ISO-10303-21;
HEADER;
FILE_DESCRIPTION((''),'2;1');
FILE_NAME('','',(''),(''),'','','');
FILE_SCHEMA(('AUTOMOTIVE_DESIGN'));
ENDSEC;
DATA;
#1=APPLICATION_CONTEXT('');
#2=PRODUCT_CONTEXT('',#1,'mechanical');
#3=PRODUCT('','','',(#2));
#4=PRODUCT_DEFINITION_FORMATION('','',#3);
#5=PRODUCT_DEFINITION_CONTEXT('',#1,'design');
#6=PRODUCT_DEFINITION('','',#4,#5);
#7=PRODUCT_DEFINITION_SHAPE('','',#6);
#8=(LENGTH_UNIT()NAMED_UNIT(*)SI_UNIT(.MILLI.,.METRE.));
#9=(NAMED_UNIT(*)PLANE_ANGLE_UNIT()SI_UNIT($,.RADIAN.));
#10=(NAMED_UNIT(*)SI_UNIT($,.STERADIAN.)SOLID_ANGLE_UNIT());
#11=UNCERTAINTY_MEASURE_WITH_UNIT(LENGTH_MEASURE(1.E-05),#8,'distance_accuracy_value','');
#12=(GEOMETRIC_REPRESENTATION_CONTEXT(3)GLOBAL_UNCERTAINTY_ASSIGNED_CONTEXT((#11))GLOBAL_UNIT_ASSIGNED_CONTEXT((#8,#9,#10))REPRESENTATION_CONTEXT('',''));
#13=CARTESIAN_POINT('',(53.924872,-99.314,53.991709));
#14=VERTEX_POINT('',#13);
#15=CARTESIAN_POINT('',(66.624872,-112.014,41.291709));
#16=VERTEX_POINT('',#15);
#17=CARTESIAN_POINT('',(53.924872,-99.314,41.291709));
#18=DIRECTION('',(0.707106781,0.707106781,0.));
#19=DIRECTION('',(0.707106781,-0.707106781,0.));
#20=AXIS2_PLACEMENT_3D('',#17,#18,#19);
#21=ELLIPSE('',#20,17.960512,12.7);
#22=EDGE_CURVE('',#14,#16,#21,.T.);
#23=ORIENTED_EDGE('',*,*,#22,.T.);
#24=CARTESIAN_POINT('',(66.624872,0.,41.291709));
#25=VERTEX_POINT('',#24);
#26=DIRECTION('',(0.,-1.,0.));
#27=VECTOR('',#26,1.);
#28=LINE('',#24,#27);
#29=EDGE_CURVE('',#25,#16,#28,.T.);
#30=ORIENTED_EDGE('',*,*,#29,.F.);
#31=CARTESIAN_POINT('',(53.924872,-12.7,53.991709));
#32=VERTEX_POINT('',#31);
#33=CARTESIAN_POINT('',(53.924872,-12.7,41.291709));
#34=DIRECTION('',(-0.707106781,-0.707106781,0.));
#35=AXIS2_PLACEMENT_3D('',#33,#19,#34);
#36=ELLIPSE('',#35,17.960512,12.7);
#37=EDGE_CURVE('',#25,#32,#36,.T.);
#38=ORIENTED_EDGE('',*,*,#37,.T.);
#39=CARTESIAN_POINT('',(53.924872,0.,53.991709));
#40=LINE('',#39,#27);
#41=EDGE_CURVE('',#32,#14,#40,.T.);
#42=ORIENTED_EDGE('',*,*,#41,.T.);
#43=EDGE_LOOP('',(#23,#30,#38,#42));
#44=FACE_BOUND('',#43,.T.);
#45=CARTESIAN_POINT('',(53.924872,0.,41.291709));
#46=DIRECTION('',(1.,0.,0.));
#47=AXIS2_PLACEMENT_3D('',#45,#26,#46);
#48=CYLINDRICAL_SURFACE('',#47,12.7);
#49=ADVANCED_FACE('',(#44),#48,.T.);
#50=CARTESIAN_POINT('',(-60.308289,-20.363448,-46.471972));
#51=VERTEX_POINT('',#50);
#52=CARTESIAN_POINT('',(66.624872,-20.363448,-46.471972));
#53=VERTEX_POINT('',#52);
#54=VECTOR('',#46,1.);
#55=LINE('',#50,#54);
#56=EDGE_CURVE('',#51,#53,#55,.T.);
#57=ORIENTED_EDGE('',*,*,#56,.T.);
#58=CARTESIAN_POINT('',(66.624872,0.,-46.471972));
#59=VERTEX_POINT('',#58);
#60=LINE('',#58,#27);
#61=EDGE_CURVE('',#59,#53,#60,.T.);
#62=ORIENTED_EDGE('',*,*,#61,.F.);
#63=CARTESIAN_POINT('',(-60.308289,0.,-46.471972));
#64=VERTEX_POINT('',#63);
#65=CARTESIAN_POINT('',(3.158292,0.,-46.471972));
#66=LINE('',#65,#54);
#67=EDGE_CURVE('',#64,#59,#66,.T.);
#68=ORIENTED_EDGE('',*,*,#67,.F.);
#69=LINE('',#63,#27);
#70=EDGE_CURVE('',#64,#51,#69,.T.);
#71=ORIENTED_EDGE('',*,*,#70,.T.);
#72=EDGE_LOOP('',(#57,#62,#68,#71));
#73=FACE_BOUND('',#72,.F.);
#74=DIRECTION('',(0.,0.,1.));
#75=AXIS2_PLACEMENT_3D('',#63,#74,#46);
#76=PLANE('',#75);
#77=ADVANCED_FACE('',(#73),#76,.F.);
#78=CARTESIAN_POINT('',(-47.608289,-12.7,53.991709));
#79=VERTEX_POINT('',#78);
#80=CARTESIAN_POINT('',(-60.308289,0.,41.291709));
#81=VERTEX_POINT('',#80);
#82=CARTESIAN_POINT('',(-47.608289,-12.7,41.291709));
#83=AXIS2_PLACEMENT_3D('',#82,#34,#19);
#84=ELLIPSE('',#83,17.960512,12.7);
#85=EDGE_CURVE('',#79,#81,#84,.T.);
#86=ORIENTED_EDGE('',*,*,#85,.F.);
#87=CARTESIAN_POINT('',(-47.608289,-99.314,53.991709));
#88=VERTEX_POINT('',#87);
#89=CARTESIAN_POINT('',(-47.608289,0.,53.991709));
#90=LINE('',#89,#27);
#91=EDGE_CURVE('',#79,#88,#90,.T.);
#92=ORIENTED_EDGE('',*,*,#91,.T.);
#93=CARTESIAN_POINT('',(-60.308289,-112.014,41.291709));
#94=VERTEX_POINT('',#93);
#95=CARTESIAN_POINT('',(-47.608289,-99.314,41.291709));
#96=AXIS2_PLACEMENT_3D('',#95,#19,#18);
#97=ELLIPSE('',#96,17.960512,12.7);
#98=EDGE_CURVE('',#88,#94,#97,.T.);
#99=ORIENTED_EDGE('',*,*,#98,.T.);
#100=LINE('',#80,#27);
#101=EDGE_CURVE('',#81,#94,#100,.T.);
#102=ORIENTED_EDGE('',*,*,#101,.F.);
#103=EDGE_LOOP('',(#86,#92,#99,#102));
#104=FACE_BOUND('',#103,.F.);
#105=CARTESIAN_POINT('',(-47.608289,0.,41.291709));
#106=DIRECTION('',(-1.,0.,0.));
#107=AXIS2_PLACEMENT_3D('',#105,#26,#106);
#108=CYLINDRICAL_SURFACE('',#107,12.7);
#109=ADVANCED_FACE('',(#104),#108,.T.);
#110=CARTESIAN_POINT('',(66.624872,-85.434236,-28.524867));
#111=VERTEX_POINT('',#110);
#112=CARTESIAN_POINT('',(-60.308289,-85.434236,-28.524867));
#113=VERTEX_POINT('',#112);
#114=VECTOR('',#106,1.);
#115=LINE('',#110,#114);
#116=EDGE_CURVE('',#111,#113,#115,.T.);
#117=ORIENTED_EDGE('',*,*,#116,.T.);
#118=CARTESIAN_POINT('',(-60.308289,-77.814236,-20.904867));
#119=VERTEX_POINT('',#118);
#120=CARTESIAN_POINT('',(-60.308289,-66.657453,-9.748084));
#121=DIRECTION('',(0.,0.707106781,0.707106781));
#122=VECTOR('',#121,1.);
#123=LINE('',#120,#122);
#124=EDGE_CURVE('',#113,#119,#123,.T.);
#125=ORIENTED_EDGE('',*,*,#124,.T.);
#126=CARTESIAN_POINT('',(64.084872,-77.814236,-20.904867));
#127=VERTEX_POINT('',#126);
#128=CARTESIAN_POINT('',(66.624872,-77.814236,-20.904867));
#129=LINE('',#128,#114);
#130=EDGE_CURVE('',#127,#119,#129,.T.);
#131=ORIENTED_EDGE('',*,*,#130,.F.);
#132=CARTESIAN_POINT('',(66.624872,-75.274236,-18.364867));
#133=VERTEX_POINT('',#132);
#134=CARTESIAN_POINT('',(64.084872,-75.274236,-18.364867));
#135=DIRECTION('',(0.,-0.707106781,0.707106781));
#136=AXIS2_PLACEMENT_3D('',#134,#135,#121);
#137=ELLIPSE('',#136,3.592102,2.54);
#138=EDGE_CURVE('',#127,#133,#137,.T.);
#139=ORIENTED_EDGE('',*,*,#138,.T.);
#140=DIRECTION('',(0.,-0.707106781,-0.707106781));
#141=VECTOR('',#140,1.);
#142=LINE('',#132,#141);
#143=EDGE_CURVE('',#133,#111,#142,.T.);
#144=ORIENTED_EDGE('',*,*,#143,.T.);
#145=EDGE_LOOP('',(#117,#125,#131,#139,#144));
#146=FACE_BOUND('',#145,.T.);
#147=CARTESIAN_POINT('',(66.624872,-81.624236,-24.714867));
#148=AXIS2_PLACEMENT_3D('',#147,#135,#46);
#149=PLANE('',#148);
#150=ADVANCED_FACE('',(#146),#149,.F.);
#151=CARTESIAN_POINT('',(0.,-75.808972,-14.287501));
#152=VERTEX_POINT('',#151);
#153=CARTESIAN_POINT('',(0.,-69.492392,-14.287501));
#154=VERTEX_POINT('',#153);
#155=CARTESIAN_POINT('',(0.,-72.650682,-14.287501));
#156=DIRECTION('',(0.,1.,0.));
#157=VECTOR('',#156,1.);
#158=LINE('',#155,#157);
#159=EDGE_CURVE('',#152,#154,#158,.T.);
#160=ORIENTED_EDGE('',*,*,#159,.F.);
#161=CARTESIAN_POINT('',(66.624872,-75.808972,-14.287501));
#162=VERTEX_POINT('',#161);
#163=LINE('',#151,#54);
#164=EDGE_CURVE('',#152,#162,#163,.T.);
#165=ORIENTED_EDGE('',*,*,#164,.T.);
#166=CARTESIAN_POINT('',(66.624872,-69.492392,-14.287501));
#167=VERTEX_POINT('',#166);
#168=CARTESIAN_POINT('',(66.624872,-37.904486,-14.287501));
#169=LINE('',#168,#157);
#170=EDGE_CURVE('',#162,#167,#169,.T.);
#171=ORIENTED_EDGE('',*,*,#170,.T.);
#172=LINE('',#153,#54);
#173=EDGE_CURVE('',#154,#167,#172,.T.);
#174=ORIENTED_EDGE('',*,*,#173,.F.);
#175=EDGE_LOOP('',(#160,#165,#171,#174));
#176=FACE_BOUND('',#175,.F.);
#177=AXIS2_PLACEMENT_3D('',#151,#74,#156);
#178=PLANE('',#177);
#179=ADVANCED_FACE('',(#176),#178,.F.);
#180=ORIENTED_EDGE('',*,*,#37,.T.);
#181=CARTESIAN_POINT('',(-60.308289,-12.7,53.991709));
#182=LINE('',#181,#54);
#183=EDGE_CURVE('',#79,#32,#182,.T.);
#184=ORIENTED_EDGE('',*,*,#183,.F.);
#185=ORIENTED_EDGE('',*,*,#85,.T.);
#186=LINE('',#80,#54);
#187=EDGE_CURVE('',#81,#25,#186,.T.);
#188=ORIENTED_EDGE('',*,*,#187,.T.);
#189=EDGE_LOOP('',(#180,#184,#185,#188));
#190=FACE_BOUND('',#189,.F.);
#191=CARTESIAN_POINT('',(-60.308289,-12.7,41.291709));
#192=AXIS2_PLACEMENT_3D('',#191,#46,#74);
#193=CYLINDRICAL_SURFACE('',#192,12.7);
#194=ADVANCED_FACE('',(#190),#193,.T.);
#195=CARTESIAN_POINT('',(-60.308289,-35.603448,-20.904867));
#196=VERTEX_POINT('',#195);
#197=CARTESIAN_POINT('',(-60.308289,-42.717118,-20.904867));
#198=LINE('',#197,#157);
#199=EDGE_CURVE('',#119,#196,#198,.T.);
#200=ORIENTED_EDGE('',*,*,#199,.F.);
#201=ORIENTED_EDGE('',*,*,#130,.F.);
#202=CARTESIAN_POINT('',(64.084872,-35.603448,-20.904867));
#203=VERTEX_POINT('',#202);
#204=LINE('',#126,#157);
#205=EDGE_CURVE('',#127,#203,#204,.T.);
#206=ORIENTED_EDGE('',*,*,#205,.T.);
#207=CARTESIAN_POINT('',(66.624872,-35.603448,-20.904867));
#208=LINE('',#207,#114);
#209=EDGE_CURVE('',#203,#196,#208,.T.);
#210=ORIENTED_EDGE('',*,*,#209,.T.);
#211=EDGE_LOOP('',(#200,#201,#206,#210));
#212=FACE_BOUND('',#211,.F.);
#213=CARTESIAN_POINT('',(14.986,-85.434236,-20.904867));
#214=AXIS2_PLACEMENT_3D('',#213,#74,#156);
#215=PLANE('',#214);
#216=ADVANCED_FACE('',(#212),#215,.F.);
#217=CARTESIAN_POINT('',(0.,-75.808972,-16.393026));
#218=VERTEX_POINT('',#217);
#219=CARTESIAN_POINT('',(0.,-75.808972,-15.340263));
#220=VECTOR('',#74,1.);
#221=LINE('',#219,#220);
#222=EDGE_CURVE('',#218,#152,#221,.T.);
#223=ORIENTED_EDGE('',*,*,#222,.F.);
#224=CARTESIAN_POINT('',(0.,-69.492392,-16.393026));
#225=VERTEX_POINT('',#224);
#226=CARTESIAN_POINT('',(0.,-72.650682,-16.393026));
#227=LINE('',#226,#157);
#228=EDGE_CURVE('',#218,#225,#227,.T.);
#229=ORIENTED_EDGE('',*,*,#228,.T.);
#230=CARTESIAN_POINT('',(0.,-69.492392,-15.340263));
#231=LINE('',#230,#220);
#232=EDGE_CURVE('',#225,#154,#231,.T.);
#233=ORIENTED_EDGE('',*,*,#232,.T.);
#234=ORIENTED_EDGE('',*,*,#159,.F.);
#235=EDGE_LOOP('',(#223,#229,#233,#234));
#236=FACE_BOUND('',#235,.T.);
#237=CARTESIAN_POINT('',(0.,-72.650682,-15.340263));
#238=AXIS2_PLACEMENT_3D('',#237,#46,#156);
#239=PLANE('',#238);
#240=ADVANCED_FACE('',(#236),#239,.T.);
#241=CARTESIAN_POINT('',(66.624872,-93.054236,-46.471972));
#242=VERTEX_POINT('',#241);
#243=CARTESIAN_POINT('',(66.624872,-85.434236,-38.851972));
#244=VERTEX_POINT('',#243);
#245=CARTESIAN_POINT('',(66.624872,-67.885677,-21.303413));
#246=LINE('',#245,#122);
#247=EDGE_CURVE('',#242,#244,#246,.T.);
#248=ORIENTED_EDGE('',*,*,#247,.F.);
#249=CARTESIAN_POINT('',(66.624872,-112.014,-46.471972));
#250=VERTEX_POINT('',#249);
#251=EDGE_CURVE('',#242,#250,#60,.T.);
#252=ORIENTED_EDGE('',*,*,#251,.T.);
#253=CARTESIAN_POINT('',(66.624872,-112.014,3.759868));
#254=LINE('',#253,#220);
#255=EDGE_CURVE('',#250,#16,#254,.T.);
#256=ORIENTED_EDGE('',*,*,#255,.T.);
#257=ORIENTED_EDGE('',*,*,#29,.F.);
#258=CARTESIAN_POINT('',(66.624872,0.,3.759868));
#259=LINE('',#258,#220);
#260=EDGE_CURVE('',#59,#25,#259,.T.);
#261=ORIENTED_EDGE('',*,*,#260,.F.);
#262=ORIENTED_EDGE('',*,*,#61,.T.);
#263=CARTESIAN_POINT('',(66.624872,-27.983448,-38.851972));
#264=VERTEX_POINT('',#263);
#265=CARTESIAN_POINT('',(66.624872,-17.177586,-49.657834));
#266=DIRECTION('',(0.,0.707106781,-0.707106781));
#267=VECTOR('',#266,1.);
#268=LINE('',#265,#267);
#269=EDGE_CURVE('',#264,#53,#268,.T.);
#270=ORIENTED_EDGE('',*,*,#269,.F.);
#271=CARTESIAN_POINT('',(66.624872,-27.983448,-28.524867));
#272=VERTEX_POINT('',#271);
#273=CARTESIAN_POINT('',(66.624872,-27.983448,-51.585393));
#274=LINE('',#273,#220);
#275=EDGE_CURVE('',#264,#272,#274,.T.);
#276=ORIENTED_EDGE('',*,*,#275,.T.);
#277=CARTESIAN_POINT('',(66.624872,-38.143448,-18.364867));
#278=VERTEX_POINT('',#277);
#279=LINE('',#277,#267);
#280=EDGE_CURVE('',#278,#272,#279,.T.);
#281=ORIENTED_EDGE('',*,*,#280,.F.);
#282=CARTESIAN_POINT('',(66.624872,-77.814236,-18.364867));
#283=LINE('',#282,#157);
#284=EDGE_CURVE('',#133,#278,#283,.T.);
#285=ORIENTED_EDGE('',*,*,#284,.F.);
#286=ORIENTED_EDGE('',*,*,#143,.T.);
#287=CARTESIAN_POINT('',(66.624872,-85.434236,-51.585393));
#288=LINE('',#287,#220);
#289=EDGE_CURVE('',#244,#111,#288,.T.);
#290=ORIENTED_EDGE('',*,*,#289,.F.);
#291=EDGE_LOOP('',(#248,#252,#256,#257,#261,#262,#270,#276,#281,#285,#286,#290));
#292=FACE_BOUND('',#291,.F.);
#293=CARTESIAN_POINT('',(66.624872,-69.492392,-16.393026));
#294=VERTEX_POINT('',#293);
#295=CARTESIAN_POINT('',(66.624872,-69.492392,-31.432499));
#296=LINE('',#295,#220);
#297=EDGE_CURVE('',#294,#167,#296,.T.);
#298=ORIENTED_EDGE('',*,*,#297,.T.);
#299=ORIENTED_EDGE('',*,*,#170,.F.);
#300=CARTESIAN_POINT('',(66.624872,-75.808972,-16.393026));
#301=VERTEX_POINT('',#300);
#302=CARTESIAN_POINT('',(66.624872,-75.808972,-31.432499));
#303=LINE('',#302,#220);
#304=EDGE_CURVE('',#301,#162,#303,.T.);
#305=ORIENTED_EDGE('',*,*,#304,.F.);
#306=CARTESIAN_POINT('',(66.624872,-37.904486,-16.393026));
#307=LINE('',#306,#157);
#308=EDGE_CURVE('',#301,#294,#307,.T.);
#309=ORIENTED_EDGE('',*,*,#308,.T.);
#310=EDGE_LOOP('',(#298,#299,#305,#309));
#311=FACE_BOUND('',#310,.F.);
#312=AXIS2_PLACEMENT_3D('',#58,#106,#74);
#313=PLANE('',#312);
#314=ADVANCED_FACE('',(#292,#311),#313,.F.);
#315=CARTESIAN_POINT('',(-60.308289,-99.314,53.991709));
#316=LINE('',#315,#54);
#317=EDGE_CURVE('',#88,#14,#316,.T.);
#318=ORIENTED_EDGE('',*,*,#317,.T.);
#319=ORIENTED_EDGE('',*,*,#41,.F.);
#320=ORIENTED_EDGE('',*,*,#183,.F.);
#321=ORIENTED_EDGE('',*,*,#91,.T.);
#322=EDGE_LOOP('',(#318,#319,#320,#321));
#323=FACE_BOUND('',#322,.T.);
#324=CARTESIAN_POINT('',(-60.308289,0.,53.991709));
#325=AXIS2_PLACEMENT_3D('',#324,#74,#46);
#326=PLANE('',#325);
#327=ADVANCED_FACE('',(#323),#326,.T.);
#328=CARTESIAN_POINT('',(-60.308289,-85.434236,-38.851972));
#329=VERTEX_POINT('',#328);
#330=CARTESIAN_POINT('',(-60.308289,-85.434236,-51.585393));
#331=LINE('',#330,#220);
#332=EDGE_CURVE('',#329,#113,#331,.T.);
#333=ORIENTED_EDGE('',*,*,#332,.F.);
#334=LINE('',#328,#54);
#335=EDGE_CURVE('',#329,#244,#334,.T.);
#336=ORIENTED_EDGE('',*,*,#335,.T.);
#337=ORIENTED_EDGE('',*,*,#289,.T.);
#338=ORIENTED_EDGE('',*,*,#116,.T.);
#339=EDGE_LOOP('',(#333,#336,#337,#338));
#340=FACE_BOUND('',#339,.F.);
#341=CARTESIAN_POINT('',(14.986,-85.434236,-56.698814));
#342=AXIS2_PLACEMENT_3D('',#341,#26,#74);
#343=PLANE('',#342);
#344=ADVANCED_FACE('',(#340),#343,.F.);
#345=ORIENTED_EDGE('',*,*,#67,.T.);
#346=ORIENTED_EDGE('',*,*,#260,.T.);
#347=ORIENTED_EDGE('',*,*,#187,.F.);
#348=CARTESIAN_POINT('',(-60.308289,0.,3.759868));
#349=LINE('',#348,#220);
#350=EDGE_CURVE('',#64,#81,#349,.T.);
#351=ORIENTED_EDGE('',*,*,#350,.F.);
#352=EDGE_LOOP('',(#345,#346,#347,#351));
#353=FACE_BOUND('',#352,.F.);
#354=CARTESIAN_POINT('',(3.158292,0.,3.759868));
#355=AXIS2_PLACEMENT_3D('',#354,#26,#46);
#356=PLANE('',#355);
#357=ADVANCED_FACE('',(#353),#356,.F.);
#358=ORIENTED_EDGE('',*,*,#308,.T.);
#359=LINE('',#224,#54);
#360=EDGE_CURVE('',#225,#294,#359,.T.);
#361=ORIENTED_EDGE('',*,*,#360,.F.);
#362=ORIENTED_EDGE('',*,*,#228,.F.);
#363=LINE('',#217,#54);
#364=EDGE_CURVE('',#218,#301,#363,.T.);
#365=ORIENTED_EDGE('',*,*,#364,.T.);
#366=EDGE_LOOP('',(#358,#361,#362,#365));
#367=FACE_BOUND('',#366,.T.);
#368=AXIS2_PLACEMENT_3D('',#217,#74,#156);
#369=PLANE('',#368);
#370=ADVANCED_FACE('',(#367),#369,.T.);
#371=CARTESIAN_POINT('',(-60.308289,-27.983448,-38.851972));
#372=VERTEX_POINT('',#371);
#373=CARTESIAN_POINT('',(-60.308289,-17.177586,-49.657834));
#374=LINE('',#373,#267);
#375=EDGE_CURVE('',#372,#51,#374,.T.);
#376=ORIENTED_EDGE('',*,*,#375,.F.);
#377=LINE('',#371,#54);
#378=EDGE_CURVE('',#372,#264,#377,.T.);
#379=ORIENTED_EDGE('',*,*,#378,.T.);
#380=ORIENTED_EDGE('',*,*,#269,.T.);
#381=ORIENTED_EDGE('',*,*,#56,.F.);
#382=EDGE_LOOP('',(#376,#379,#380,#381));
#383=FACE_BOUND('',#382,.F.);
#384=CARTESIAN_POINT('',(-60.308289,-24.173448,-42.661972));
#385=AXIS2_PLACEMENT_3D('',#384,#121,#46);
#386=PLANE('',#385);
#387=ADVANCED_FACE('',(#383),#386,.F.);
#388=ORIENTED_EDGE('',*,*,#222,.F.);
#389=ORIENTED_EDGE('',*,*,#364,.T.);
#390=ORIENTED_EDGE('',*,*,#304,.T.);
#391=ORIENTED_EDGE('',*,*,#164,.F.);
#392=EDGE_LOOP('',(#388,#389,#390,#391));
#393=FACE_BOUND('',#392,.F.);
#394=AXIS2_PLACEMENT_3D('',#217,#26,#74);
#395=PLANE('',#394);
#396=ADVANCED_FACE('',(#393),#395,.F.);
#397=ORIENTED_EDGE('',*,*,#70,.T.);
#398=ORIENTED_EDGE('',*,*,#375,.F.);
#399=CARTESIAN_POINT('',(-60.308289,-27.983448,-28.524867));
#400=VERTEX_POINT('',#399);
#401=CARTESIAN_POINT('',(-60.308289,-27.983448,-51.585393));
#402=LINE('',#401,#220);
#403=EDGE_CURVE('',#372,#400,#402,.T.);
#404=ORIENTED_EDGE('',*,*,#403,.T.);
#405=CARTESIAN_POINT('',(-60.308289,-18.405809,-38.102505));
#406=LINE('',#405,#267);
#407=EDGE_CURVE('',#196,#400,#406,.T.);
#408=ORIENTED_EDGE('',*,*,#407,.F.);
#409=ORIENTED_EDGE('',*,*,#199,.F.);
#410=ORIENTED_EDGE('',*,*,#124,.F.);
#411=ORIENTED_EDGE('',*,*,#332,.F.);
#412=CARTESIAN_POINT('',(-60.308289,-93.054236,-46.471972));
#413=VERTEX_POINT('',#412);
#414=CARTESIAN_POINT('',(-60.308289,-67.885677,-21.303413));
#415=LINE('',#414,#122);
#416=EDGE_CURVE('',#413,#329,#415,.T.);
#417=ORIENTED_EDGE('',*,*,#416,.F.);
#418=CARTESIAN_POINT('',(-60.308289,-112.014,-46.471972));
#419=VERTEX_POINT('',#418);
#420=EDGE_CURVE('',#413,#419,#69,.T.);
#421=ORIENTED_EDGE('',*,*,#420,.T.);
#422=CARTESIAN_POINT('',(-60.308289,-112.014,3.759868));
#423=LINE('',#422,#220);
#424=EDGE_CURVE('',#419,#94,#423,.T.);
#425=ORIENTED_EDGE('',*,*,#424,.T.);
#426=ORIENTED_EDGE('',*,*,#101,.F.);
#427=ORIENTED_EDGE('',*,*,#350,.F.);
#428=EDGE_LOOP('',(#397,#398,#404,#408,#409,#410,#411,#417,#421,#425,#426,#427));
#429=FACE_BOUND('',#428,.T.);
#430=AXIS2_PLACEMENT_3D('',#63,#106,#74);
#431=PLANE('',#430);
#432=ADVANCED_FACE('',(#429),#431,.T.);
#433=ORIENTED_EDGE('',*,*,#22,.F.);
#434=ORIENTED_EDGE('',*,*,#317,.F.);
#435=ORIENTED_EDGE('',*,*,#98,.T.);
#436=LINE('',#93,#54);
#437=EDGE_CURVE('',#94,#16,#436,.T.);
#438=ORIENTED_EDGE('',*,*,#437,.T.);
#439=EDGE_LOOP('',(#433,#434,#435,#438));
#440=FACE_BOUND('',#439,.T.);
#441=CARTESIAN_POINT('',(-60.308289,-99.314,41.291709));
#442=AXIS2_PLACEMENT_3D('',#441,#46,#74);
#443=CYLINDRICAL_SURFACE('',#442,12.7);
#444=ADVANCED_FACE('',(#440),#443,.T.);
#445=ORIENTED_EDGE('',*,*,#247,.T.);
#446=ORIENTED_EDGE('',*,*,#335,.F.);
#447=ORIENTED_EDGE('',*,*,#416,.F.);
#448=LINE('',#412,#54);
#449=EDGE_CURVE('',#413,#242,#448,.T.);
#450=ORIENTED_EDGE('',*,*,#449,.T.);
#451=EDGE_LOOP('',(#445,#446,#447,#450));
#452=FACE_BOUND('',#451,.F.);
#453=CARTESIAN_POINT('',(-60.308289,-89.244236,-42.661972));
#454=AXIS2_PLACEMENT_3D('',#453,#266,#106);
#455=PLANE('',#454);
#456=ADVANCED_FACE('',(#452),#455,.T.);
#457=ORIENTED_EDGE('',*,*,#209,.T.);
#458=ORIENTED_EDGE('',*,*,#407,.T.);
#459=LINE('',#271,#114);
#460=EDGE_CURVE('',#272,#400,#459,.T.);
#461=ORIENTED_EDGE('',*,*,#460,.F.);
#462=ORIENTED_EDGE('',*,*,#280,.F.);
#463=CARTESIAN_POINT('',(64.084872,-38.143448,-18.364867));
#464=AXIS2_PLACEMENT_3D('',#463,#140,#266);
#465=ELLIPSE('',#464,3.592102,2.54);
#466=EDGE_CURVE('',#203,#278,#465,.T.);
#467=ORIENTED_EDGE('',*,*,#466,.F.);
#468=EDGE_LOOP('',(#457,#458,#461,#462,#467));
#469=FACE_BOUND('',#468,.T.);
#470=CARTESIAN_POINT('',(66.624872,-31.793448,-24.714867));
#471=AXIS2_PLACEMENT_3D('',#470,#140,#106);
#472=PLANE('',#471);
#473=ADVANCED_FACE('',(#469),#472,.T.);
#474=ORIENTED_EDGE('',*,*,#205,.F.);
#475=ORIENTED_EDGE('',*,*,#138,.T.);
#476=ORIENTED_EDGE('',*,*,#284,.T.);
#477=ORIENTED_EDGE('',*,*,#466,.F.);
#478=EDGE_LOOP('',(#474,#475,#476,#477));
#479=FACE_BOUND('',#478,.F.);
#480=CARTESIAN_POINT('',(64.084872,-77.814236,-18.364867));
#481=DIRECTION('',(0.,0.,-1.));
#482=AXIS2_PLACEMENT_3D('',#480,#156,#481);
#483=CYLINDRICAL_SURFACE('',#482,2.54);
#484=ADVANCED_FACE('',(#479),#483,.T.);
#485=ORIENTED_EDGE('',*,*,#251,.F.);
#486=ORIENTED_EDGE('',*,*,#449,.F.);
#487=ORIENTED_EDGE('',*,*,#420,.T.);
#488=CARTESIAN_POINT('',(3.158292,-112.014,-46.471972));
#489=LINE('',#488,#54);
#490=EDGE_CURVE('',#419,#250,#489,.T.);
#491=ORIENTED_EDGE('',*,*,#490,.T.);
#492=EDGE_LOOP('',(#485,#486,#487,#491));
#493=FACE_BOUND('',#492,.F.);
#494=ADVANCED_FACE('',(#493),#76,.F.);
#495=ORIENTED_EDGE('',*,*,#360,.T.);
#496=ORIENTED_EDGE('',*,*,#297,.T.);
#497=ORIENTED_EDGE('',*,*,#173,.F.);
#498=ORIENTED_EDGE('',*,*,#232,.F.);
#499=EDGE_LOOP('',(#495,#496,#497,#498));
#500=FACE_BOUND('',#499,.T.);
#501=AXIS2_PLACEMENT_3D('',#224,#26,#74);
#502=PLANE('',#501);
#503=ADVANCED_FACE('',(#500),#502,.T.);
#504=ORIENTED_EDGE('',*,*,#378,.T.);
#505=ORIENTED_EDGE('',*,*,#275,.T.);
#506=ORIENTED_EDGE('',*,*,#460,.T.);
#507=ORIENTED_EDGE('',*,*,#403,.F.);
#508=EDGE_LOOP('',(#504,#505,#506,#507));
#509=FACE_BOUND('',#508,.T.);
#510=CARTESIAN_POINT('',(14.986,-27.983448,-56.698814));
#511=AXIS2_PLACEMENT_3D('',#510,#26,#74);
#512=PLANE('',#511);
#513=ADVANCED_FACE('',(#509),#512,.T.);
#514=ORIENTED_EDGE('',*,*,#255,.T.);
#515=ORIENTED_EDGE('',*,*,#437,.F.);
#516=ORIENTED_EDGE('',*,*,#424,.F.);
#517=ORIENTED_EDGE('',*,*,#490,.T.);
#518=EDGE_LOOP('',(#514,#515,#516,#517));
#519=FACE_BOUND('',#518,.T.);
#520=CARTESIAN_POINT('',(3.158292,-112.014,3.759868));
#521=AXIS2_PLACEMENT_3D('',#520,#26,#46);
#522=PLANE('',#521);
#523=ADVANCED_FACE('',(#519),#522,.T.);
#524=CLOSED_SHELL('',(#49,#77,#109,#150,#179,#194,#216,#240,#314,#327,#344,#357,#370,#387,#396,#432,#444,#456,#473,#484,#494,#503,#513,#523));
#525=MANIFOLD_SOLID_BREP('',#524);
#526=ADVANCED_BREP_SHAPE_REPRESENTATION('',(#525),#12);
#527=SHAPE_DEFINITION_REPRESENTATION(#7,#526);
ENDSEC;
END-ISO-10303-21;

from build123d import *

# Parameters (mm, degrees)
F0_W      = 126.9331611693
F0_H      = 100.463680923
F1_DEPTH  = 112.014
F2_R      = 12.7
F3_W      = 57.4507880956
F3_H      = 35.7939470559
F4_DEPTH  = 166.37
F5_DEPTH  = 99.822
F8_SIZE   = 7.62
F9_W      = 6.3165798783
F9_H      = 2.1055256948
F10_DEPTH = 148.844
F11_R     = 2.54


with BuildPart() as f1:
    # F0 (on Front) → F1 (new body)
    with BuildSketch(Plane.XZ):
        with Locations((3.1582918018, 3.759868443)):
            Rectangle(F0_W, F0_H)
    extrude(amount=F1_DEPTH)

    # F2
    f2_edges = [f1.edges().sort_by_distance(p)[0] for p in [
        (3.158292, -112.014, 53.991709),
        (66.624872, -56.007, 53.991709),
        (3.158292, 0, 53.991709),
        (-60.308289, -56.007, 53.991709),
    ]]
    fillet(f2_edges, radius=F2_R)


with BuildPart() as f4:
    # F3 (on Right) → F4 (new body)
    with BuildSketch(Plane.YZ):
        with Locations((-56.7088415846, -38.8018405065)):
            Rectangle(F3_W, F3_H)
    extrude(amount=F4_DEPTH)

    # F5 (add): a face of the model
    f5_faces = [f4.faces().sort_by_distance(p)[0] for p in [
        (166.37, -56.7088415846, -38.8018405065),
    ]]
    extrude(f5_faces, amount=F5_DEPTH)


with BuildPart() as f4_1:
    # F6: moved
    add(f4.part.moved(Location((-151.384, 0, 0))))


with BuildPart() as f1_1:
    add(f1.part)

    # F7: cut F4
    add(f4_1.part, mode=Mode.SUBTRACT)

    # F8
    f8_edges = [f1_1.edges().sort_by_distance(p)[0] for p in [
        (3.158292, -85.434236, -46.471972),
        (3.158292, -27.983448, -46.471972),
        (3.158292, -27.983448, -20.904867),
        (3.158292, -85.434236, -20.904867),
    ]]
    chamfer(f8_edges, length=F8_SIZE)

    # F9 (on Right) → F10 (cut)
    with BuildSketch(Plane.YZ):
        with Locations((-72.6506821811, -15.3402634896)):
            Rectangle(F9_W, F9_H)
    extrude(amount=F10_DEPTH, mode=Mode.SUBTRACT)

    # F11
    f11_edges = [f1_1.edges().sort_by_distance(p)[0] for p in [
        (66.624872, -56.708842, -20.904867),
    ]]
    fillet(f11_edges, radius=F11_R)


solid = f1_1.part
